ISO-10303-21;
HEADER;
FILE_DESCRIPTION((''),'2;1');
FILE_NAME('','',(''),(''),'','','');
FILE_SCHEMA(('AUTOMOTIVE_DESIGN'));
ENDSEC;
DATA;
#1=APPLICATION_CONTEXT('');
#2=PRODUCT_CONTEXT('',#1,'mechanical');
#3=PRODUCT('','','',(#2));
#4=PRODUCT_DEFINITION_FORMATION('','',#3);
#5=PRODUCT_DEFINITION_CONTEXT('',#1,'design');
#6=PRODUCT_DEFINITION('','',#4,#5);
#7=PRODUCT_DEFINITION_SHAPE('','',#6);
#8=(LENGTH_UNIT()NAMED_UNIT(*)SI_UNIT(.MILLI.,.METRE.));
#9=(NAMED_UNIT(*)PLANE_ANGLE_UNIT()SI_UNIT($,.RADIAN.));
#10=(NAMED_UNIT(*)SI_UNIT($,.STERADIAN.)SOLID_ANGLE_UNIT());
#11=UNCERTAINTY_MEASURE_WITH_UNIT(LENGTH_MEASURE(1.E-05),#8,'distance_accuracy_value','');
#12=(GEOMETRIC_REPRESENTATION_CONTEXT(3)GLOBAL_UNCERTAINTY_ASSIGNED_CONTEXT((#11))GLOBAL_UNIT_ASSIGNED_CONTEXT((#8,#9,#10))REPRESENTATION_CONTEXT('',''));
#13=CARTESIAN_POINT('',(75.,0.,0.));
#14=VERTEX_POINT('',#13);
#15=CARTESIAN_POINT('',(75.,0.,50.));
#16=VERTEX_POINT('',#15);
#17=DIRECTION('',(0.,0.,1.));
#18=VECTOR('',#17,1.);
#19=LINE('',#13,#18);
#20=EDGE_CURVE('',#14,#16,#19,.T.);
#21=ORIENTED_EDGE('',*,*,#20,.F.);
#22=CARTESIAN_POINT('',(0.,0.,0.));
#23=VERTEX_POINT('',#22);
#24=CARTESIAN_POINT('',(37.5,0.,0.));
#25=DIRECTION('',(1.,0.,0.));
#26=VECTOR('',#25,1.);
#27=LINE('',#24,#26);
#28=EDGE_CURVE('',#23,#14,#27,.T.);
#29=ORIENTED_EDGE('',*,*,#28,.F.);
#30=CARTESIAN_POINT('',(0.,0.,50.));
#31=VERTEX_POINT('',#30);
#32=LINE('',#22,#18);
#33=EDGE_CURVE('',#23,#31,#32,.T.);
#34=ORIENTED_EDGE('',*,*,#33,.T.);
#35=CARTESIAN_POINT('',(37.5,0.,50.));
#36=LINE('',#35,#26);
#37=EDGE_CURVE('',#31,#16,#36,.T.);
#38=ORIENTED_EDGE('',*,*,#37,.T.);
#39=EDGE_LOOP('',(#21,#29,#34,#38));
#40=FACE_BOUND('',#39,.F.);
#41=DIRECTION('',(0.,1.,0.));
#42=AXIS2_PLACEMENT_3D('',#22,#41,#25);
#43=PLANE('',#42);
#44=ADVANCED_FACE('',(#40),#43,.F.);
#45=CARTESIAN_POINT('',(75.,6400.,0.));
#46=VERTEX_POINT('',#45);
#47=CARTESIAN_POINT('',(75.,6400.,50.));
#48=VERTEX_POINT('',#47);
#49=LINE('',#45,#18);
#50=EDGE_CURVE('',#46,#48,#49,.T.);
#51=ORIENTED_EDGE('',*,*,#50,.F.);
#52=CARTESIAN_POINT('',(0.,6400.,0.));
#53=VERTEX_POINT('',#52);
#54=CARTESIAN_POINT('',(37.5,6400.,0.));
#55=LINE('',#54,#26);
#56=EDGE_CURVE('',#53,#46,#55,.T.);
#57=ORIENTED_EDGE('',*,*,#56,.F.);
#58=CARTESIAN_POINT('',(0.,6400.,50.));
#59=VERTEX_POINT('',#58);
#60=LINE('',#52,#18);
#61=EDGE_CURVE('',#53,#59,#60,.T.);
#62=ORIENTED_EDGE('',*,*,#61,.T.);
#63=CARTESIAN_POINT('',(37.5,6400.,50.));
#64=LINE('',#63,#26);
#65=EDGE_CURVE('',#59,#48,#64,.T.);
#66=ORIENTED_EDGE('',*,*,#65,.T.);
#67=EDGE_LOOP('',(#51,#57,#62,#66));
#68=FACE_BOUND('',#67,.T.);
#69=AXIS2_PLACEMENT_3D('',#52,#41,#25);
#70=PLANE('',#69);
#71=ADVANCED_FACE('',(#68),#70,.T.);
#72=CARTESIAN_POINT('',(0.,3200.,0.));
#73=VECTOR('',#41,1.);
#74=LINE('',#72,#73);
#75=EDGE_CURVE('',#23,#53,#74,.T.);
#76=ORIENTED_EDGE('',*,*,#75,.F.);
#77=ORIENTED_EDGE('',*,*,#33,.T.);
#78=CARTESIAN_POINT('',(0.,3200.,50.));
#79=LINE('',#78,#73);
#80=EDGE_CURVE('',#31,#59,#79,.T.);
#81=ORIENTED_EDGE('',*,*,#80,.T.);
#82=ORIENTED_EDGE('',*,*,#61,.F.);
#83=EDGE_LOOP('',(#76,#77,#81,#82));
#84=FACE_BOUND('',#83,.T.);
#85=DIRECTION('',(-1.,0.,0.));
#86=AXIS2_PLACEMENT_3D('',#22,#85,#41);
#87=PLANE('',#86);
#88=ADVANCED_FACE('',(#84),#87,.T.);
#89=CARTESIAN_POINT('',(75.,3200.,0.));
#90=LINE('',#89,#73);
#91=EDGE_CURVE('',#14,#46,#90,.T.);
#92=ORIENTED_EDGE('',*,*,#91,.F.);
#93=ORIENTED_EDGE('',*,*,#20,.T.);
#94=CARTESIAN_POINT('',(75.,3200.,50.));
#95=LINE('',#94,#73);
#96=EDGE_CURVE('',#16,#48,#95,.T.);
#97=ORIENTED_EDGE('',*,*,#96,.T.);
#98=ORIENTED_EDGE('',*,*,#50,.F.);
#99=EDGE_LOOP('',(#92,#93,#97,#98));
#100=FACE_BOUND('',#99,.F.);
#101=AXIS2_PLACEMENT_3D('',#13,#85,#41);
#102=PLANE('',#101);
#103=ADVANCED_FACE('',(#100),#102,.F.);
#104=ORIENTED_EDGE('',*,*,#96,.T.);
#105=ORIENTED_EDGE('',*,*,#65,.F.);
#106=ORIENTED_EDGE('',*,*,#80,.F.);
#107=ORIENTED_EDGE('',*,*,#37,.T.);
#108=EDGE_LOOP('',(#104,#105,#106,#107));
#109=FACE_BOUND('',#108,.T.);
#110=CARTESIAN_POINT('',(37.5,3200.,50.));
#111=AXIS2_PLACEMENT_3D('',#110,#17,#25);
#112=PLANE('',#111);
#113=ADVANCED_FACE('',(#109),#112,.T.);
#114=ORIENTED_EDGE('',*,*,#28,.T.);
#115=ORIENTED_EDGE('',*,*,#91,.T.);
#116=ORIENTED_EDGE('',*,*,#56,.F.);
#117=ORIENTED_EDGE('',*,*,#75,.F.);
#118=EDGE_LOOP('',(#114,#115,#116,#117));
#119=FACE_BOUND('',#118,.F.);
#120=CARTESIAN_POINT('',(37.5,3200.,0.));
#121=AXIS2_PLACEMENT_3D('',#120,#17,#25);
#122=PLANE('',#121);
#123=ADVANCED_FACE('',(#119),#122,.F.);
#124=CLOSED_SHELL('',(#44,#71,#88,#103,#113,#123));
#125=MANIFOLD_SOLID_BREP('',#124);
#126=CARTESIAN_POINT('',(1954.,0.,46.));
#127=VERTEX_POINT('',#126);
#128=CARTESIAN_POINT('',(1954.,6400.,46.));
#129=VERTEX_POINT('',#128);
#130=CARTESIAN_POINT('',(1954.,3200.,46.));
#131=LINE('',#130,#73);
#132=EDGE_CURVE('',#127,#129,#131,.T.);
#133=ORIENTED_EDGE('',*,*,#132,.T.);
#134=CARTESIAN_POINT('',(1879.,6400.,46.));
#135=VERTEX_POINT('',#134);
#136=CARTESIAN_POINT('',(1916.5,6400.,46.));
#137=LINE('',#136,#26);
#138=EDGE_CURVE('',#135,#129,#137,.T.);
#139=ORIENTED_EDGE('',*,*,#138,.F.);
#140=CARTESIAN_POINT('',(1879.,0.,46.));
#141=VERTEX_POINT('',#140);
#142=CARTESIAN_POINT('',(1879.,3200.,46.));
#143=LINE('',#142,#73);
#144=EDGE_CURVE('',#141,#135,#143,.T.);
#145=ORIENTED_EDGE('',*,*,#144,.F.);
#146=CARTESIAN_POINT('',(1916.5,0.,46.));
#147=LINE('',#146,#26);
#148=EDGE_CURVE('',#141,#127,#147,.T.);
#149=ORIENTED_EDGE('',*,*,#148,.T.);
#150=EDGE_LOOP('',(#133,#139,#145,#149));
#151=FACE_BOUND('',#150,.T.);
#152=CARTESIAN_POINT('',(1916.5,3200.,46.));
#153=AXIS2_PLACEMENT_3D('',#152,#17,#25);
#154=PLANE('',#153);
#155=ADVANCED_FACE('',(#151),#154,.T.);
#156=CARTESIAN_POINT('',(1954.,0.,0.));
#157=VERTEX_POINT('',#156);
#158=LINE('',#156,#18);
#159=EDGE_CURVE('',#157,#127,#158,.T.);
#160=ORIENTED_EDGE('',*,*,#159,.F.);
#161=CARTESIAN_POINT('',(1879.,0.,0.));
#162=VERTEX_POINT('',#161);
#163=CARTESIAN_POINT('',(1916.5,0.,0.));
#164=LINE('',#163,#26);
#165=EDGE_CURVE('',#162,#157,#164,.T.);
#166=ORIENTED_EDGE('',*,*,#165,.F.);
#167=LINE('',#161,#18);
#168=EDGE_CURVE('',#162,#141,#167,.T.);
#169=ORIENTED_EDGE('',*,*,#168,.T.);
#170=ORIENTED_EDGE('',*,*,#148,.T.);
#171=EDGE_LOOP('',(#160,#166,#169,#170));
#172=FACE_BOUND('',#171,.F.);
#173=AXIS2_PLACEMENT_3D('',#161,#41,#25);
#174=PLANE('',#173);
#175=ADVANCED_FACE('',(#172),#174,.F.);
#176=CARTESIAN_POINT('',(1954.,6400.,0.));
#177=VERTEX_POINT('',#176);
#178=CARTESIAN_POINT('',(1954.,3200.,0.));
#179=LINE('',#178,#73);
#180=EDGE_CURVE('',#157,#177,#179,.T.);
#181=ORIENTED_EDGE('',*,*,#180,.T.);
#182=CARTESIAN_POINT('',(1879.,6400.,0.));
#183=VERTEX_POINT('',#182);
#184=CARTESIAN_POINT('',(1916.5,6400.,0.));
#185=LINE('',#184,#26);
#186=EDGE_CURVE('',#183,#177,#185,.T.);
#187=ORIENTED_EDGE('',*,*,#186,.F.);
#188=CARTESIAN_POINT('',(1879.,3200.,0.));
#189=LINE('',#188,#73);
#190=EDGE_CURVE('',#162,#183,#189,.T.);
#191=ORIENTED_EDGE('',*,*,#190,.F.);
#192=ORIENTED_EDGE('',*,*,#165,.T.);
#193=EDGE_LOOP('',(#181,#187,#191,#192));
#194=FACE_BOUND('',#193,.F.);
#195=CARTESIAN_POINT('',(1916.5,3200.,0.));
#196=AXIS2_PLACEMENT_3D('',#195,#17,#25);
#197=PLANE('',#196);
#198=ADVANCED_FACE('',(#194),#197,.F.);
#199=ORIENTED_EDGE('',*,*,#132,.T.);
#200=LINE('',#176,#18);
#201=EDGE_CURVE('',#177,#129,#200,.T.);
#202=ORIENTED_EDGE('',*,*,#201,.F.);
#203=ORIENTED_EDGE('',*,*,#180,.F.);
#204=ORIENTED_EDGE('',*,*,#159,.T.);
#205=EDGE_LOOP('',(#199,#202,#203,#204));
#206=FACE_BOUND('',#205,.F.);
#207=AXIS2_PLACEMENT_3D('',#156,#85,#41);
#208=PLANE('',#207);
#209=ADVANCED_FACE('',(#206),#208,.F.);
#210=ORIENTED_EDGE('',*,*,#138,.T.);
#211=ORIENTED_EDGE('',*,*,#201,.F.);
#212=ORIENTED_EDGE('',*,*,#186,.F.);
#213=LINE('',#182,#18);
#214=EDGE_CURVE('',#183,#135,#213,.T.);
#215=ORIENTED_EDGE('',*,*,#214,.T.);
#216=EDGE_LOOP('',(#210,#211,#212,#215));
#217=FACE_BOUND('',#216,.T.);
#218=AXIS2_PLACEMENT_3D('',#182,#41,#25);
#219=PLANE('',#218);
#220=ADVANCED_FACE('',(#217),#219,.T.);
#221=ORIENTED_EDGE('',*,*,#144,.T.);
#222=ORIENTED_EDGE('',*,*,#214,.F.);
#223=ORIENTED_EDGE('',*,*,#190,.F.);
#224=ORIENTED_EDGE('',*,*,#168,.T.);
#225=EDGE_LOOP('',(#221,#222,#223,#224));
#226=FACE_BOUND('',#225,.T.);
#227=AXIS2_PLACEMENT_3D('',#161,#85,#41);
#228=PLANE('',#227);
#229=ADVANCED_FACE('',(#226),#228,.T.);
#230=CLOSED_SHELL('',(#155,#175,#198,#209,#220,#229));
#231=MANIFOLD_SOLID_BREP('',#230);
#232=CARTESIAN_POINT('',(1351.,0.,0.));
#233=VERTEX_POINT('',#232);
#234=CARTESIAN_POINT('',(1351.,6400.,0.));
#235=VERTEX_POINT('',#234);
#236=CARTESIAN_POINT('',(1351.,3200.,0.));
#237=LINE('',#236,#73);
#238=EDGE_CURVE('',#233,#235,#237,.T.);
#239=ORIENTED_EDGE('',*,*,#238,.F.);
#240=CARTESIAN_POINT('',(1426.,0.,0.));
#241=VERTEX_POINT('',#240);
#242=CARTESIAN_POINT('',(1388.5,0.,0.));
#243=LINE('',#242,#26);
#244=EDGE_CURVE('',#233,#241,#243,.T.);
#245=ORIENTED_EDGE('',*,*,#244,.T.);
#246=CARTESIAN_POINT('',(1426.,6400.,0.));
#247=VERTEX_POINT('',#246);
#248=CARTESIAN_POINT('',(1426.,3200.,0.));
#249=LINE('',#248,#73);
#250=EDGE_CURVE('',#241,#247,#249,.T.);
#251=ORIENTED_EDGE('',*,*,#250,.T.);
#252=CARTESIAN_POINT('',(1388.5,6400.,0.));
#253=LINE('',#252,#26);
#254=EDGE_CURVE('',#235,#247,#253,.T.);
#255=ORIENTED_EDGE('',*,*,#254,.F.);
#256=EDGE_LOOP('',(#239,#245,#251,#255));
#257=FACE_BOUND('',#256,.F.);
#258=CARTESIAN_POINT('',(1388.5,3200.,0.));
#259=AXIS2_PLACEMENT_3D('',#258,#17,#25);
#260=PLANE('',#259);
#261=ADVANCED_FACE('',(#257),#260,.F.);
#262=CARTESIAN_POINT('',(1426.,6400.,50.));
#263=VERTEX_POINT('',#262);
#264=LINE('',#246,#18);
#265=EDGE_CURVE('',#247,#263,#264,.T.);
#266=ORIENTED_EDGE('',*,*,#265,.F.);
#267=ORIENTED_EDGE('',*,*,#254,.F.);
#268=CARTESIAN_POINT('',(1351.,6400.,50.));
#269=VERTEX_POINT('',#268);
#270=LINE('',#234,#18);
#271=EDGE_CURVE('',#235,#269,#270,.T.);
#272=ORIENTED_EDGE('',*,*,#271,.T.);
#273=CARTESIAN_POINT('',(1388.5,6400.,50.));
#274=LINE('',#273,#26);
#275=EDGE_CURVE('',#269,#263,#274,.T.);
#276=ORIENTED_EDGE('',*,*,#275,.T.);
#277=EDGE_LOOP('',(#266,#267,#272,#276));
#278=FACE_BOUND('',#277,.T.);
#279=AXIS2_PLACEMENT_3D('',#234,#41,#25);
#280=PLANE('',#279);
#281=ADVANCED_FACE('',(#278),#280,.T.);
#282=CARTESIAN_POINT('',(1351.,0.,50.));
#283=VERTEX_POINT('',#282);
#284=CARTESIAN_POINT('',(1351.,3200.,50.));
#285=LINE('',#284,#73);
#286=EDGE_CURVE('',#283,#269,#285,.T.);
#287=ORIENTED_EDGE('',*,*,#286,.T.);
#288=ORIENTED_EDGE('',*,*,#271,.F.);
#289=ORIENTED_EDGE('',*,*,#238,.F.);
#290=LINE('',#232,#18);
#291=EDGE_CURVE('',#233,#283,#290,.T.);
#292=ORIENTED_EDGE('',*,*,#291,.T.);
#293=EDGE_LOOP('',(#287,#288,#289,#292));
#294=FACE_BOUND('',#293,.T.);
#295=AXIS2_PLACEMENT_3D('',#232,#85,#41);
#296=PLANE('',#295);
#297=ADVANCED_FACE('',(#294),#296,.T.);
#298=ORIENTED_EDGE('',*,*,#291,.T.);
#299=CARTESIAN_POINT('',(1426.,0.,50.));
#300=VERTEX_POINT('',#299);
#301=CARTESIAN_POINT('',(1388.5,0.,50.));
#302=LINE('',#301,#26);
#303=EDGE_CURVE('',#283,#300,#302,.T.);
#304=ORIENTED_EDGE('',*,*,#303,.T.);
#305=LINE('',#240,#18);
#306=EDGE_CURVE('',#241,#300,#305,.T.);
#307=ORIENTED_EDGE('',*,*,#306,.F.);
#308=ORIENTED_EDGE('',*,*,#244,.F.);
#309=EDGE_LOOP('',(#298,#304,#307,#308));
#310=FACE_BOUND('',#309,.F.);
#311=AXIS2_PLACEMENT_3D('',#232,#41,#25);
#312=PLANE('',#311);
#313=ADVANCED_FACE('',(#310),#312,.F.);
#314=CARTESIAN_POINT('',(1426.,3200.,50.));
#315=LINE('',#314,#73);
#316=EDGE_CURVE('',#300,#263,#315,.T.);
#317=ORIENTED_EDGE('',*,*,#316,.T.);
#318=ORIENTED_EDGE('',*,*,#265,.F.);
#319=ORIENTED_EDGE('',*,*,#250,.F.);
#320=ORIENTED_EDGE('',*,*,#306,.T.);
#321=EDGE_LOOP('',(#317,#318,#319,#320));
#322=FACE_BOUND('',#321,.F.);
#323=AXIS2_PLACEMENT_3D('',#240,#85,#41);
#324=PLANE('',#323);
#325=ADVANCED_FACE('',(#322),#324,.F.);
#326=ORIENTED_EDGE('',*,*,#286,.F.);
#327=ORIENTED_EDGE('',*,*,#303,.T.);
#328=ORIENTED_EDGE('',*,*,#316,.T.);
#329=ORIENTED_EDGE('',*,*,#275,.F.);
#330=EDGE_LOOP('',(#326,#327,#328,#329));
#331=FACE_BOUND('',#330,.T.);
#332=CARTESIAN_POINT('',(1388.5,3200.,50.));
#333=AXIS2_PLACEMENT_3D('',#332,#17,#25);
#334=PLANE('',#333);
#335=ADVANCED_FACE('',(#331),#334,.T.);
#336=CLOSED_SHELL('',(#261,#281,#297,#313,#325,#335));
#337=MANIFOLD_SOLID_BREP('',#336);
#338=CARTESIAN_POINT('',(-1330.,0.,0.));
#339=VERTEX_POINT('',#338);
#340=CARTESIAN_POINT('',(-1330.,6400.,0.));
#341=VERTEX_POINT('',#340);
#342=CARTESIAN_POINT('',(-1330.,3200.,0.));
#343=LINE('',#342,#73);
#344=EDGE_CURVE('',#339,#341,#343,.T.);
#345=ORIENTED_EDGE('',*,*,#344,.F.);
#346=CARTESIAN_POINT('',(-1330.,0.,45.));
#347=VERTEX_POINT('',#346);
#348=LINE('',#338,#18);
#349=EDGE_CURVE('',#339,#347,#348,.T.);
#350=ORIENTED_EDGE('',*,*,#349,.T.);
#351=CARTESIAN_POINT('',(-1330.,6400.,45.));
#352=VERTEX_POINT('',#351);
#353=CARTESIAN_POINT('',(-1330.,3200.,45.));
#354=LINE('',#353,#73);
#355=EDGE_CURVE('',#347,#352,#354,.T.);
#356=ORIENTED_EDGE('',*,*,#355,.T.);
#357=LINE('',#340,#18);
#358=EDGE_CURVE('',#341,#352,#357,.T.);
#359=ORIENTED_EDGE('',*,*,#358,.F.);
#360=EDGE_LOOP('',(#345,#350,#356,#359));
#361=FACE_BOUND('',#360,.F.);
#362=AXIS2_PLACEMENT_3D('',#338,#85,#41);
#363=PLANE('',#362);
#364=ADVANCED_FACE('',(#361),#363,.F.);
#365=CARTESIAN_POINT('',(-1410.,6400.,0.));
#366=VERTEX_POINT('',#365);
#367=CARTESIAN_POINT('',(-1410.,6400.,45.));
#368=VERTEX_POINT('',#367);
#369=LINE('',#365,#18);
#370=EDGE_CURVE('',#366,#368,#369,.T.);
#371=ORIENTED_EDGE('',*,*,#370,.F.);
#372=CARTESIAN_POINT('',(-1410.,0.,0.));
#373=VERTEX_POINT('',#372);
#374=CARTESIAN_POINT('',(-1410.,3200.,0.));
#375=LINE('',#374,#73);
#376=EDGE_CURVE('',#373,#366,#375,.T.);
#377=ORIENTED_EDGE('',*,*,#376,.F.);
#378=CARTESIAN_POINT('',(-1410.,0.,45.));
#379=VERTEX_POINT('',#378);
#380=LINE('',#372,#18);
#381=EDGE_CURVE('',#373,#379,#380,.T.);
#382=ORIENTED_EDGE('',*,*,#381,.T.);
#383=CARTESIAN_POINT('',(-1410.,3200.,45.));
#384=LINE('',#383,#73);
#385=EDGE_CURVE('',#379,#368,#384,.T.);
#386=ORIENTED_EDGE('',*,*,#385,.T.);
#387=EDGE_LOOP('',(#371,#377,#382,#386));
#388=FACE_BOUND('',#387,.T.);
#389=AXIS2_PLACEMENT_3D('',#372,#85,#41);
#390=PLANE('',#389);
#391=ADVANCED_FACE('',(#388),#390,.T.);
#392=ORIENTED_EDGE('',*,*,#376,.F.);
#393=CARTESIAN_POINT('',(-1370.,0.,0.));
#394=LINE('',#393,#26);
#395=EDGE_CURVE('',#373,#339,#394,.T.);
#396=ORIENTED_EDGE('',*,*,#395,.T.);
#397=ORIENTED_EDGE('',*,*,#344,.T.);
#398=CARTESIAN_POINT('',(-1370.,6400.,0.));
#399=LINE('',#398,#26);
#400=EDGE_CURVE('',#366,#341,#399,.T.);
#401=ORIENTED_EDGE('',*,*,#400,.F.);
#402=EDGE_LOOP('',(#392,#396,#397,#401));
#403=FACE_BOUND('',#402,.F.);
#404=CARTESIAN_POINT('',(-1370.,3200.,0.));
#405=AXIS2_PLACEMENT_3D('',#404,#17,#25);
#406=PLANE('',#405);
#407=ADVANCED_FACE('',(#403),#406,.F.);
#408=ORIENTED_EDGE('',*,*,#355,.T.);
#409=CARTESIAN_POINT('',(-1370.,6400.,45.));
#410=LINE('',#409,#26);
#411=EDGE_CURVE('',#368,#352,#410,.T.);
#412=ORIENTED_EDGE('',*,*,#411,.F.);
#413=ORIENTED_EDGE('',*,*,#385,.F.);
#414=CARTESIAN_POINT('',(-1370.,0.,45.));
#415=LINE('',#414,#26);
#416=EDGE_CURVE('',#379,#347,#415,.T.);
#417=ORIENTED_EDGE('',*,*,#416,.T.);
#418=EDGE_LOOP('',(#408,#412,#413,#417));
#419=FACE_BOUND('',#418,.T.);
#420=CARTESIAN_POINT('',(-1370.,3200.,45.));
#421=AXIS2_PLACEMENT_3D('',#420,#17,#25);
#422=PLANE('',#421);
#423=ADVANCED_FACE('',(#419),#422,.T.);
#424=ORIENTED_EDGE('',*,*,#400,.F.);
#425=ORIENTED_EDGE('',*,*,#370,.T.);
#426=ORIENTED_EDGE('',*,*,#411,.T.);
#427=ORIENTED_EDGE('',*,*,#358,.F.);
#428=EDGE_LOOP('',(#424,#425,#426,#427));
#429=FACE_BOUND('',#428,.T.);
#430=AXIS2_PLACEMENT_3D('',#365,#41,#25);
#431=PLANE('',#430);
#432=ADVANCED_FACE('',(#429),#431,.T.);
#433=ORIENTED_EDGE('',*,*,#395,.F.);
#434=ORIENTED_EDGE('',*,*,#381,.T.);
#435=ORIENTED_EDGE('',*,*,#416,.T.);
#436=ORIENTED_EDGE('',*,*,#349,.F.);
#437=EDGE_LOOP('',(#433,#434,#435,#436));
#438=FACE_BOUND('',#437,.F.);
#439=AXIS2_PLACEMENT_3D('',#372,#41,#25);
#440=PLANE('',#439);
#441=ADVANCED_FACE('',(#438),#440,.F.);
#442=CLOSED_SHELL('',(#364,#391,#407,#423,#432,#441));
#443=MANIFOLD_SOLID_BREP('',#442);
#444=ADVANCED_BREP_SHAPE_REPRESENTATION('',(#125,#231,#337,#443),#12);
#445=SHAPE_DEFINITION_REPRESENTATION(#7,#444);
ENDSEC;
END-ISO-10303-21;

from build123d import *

# Parameters (mm, degrees)
F0_W     = 75
F0_H     = 6400
F1_DEPTH = 46
F2_DEPTH = 50
F3_DEPTH = 50
F0_W_2   = 80
F4_DEPTH = 45


with BuildPart() as f1:
    # F0 (on Top) → F1 (new body)
    with BuildSketch(Plane.XY):
        with Locations((1916.5, 3200)):
            Rectangle(F0_W, F0_H)
    extrude(amount=F1_DEPTH)


with BuildPart() as f2:
    # F0 (on Top) → F2 (new body)
    with BuildSketch(Plane.XY):
        with Locations((1388.5, 3200)):
            Rectangle(F0_W, F0_H)
    extrude(amount=F2_DEPTH)


with BuildPart() as f3:
    # F0 (on Top) → F3 (new body)
    with BuildSketch(Plane.XY):
        with Locations((37.5, 3200)):
            Rectangle(F0_W, F0_H)
    extrude(amount=F3_DEPTH)


with BuildPart() as f4:
    # F0 (on Top) → F4 (new body)
    with BuildSketch(Plane.XY):
        with Locations((-1370, 3200)):
            Rectangle(F0_W_2, F0_H)
    extrude(amount=F4_DEPTH)


solid = Compound([f1.part, f2.part, f3.part, f4.part])
